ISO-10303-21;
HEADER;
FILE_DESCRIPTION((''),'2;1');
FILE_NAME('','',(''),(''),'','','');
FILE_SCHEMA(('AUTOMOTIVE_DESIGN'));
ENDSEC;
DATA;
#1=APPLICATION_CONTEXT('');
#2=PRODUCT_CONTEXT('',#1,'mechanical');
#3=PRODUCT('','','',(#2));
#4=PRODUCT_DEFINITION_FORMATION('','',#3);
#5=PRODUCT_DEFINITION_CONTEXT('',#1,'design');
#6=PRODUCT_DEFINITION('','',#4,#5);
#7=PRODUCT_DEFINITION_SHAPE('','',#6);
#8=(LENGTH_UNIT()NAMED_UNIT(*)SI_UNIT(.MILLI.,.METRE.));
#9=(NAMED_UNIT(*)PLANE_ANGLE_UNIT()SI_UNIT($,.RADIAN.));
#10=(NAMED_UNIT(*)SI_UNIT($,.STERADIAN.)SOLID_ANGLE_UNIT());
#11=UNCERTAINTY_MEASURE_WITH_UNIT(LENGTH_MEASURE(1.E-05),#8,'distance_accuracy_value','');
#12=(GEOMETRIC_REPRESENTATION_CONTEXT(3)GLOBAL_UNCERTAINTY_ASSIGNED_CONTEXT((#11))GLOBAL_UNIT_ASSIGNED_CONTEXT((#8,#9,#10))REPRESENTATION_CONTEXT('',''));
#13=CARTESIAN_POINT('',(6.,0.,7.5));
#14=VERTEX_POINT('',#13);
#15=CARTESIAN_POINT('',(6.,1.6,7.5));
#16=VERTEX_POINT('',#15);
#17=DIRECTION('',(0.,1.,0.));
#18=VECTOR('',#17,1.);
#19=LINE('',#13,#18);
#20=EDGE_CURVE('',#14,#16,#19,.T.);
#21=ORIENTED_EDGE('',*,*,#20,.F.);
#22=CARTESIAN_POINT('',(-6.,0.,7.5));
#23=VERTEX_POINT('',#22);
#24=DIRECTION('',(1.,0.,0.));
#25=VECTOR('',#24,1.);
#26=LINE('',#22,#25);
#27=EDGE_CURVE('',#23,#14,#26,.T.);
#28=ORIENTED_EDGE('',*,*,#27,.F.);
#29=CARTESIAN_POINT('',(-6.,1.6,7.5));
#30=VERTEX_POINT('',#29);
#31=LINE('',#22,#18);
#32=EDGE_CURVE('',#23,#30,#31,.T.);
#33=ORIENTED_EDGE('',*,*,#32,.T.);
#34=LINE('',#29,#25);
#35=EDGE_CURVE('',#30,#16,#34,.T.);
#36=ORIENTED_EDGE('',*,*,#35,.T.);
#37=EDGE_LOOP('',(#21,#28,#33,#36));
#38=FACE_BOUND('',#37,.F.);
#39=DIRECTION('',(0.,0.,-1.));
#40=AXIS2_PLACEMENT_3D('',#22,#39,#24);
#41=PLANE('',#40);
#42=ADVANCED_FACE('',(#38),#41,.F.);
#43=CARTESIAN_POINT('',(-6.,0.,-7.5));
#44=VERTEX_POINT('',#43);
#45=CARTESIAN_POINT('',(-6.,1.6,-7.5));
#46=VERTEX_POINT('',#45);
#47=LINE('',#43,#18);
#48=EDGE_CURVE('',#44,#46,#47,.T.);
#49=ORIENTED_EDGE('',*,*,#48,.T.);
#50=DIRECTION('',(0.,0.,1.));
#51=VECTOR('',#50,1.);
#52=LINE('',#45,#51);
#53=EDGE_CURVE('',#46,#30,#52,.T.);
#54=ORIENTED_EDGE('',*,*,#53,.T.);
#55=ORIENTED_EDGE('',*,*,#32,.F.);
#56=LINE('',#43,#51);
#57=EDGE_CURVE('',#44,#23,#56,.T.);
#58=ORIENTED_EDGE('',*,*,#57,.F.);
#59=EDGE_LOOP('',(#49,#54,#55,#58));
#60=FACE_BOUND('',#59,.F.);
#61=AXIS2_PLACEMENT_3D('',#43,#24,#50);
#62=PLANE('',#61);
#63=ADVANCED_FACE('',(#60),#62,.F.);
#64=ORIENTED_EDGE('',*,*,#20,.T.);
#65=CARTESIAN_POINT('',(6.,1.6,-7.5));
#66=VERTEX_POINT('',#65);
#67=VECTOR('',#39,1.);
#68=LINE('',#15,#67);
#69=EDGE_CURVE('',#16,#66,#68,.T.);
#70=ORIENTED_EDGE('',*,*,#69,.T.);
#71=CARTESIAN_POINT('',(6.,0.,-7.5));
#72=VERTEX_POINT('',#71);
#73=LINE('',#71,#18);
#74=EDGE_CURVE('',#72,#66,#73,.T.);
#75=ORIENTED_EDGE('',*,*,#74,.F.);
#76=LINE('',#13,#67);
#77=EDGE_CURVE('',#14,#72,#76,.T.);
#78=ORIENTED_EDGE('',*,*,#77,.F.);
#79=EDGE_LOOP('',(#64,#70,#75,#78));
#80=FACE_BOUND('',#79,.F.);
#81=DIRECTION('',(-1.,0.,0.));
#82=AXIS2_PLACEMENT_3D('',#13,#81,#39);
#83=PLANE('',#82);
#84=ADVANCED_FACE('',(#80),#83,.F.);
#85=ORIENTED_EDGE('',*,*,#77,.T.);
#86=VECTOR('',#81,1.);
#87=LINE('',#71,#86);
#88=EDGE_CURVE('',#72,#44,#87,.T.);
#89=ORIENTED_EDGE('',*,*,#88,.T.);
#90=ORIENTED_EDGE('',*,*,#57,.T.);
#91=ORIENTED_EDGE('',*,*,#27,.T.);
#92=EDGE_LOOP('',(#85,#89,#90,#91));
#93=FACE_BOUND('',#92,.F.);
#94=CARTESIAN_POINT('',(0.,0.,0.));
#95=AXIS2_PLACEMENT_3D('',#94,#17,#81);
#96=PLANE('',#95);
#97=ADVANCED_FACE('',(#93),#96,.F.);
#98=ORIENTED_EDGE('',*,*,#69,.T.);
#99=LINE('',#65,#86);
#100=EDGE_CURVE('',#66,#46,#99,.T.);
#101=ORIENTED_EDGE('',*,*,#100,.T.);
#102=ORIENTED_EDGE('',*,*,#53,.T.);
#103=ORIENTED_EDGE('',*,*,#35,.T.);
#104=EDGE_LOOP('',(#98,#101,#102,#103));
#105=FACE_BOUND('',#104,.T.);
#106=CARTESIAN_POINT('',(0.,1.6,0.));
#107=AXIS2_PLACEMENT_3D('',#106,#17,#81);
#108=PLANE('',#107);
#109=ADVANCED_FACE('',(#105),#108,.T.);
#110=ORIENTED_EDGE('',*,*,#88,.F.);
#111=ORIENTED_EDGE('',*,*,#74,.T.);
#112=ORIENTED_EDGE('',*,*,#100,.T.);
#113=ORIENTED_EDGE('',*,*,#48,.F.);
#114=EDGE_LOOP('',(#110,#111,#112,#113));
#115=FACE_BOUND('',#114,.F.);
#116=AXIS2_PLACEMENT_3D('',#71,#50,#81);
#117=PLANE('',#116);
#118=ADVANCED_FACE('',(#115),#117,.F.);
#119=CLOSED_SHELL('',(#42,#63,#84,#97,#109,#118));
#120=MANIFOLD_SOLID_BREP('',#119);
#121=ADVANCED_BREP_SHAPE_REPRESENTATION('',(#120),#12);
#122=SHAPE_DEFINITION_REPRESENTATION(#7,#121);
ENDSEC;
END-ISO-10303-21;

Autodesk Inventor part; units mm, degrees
ref_plane "YZ Plane" through (0, 0, 0) normal (1, 0, 0) x (0, 1, 0)
ref_plane "XZ Plane" through (0, 0, 0) normal (0, 1, 0) x (-1, 0, 0)
ref_plane "XY Plane" through (0, 0, 0) normal (0, 0, 1) x (1, 0, 0)
sketch "Sketch1" plane through (0, 0, 0) normal (0, 1, 0) x (-1, 0, 0)
  line L0 (6, 7.5) -> (-6, 7.5)
  line L1 (-6, 7.5) -> (-6, -7.5)
  line L2 (-6, -7.5) -> (6, -7.5)
  line L3 (6, -7.5) -> (6, 7.5)
  point P0 (0, 0)
  point P1 (0, -7.5)
  point P2 (6, 0)
  dimension "d0" = 12
  dimension "d1" = 15
extrude "Extrusion1" add sketch "Sketch1" along normal blind 1.6
properties part number "Ak-C-C39-USB-board"
